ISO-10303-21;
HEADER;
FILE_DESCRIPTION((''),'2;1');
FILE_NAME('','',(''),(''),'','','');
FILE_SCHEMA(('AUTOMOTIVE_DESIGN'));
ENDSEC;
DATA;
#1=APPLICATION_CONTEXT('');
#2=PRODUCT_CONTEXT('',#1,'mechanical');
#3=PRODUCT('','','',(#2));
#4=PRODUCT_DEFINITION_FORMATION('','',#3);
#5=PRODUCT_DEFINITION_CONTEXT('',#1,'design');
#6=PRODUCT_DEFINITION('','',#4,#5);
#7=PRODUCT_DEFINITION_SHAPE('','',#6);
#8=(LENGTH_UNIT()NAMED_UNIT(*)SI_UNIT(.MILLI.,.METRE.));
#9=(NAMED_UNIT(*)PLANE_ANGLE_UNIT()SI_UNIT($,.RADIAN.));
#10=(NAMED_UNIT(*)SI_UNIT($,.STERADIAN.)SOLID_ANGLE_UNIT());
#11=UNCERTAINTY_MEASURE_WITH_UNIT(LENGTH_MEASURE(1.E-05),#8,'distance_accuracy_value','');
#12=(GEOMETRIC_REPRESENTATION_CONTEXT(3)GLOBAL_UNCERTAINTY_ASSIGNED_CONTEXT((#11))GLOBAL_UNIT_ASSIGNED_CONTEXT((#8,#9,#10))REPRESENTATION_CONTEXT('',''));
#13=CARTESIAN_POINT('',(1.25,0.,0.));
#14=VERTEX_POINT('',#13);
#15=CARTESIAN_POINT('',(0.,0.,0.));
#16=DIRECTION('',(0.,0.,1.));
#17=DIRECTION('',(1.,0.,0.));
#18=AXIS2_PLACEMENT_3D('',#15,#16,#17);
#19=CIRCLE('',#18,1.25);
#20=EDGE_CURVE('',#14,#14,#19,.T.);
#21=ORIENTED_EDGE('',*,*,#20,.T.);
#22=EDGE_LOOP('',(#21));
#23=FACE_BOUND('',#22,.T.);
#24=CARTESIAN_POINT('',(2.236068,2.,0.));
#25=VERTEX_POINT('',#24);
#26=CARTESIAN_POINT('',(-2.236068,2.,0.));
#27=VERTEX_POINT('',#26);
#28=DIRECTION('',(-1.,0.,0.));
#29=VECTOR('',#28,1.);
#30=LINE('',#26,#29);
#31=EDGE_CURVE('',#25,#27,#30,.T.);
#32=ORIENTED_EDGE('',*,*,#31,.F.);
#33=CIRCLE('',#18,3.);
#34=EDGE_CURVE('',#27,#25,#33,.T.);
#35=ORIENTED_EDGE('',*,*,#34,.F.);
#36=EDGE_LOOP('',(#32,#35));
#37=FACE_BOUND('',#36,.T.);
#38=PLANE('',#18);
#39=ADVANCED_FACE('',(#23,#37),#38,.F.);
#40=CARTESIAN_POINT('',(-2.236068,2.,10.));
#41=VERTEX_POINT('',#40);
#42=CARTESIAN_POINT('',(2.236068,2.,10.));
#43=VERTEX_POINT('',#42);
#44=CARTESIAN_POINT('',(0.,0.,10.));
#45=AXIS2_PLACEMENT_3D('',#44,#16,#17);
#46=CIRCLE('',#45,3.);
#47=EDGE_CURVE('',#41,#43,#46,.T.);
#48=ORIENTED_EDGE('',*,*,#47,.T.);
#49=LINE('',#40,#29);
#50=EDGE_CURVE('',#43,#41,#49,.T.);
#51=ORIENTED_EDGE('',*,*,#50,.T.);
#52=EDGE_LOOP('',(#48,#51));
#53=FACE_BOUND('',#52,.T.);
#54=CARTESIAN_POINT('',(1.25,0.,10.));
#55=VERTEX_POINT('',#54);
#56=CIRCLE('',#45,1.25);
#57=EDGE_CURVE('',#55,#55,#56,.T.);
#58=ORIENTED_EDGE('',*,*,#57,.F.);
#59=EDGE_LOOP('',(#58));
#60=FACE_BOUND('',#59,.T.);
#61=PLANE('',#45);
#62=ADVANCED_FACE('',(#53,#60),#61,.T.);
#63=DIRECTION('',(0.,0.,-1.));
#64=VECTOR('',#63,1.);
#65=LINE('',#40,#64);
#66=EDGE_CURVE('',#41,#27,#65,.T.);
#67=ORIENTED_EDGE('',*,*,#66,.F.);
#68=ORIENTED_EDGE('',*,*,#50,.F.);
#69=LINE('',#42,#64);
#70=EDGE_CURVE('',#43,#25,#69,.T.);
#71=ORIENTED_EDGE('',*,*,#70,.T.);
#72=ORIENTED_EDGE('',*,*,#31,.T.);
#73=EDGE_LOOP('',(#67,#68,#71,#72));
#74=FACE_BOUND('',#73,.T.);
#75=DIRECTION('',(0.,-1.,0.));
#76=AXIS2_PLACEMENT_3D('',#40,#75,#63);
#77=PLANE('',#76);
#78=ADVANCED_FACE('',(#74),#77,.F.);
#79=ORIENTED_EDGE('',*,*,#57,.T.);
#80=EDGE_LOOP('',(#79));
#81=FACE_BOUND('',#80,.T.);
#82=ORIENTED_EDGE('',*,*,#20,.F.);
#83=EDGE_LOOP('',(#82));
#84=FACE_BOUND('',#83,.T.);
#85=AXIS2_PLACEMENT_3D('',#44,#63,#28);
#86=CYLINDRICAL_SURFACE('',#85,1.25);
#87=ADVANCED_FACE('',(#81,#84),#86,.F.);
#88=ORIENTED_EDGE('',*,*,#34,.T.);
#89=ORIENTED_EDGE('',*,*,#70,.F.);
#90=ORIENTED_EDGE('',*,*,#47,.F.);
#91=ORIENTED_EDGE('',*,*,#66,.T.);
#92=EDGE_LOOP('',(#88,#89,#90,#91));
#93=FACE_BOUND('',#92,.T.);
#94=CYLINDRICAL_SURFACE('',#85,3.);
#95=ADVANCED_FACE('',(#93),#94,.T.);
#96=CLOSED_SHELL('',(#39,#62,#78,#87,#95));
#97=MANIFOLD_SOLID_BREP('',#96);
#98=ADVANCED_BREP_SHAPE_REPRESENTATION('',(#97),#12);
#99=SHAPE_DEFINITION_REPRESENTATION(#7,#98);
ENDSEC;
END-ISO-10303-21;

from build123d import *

# Parameters (mm, degrees)
SKETCH1_R           = 1.25
BOSS_EXTRUDE1_DEPTH = 10


with BuildPart() as part:
    # Sketch1 → Boss-Extrude1 (new body)
    with BuildSketch(Plane.XY):
        with BuildLine():
            Line((-2.236067977, 2), (2.236067977, 2))
            ThreePointArc((2.236067977, 2), (0, -3), (-2.236067977, 2))
        make_face()
        Circle(SKETCH1_R, mode=Mode.SUBTRACT)
    extrude(amount=BOSS_EXTRUDE1_DEPTH)


solid = part.part
